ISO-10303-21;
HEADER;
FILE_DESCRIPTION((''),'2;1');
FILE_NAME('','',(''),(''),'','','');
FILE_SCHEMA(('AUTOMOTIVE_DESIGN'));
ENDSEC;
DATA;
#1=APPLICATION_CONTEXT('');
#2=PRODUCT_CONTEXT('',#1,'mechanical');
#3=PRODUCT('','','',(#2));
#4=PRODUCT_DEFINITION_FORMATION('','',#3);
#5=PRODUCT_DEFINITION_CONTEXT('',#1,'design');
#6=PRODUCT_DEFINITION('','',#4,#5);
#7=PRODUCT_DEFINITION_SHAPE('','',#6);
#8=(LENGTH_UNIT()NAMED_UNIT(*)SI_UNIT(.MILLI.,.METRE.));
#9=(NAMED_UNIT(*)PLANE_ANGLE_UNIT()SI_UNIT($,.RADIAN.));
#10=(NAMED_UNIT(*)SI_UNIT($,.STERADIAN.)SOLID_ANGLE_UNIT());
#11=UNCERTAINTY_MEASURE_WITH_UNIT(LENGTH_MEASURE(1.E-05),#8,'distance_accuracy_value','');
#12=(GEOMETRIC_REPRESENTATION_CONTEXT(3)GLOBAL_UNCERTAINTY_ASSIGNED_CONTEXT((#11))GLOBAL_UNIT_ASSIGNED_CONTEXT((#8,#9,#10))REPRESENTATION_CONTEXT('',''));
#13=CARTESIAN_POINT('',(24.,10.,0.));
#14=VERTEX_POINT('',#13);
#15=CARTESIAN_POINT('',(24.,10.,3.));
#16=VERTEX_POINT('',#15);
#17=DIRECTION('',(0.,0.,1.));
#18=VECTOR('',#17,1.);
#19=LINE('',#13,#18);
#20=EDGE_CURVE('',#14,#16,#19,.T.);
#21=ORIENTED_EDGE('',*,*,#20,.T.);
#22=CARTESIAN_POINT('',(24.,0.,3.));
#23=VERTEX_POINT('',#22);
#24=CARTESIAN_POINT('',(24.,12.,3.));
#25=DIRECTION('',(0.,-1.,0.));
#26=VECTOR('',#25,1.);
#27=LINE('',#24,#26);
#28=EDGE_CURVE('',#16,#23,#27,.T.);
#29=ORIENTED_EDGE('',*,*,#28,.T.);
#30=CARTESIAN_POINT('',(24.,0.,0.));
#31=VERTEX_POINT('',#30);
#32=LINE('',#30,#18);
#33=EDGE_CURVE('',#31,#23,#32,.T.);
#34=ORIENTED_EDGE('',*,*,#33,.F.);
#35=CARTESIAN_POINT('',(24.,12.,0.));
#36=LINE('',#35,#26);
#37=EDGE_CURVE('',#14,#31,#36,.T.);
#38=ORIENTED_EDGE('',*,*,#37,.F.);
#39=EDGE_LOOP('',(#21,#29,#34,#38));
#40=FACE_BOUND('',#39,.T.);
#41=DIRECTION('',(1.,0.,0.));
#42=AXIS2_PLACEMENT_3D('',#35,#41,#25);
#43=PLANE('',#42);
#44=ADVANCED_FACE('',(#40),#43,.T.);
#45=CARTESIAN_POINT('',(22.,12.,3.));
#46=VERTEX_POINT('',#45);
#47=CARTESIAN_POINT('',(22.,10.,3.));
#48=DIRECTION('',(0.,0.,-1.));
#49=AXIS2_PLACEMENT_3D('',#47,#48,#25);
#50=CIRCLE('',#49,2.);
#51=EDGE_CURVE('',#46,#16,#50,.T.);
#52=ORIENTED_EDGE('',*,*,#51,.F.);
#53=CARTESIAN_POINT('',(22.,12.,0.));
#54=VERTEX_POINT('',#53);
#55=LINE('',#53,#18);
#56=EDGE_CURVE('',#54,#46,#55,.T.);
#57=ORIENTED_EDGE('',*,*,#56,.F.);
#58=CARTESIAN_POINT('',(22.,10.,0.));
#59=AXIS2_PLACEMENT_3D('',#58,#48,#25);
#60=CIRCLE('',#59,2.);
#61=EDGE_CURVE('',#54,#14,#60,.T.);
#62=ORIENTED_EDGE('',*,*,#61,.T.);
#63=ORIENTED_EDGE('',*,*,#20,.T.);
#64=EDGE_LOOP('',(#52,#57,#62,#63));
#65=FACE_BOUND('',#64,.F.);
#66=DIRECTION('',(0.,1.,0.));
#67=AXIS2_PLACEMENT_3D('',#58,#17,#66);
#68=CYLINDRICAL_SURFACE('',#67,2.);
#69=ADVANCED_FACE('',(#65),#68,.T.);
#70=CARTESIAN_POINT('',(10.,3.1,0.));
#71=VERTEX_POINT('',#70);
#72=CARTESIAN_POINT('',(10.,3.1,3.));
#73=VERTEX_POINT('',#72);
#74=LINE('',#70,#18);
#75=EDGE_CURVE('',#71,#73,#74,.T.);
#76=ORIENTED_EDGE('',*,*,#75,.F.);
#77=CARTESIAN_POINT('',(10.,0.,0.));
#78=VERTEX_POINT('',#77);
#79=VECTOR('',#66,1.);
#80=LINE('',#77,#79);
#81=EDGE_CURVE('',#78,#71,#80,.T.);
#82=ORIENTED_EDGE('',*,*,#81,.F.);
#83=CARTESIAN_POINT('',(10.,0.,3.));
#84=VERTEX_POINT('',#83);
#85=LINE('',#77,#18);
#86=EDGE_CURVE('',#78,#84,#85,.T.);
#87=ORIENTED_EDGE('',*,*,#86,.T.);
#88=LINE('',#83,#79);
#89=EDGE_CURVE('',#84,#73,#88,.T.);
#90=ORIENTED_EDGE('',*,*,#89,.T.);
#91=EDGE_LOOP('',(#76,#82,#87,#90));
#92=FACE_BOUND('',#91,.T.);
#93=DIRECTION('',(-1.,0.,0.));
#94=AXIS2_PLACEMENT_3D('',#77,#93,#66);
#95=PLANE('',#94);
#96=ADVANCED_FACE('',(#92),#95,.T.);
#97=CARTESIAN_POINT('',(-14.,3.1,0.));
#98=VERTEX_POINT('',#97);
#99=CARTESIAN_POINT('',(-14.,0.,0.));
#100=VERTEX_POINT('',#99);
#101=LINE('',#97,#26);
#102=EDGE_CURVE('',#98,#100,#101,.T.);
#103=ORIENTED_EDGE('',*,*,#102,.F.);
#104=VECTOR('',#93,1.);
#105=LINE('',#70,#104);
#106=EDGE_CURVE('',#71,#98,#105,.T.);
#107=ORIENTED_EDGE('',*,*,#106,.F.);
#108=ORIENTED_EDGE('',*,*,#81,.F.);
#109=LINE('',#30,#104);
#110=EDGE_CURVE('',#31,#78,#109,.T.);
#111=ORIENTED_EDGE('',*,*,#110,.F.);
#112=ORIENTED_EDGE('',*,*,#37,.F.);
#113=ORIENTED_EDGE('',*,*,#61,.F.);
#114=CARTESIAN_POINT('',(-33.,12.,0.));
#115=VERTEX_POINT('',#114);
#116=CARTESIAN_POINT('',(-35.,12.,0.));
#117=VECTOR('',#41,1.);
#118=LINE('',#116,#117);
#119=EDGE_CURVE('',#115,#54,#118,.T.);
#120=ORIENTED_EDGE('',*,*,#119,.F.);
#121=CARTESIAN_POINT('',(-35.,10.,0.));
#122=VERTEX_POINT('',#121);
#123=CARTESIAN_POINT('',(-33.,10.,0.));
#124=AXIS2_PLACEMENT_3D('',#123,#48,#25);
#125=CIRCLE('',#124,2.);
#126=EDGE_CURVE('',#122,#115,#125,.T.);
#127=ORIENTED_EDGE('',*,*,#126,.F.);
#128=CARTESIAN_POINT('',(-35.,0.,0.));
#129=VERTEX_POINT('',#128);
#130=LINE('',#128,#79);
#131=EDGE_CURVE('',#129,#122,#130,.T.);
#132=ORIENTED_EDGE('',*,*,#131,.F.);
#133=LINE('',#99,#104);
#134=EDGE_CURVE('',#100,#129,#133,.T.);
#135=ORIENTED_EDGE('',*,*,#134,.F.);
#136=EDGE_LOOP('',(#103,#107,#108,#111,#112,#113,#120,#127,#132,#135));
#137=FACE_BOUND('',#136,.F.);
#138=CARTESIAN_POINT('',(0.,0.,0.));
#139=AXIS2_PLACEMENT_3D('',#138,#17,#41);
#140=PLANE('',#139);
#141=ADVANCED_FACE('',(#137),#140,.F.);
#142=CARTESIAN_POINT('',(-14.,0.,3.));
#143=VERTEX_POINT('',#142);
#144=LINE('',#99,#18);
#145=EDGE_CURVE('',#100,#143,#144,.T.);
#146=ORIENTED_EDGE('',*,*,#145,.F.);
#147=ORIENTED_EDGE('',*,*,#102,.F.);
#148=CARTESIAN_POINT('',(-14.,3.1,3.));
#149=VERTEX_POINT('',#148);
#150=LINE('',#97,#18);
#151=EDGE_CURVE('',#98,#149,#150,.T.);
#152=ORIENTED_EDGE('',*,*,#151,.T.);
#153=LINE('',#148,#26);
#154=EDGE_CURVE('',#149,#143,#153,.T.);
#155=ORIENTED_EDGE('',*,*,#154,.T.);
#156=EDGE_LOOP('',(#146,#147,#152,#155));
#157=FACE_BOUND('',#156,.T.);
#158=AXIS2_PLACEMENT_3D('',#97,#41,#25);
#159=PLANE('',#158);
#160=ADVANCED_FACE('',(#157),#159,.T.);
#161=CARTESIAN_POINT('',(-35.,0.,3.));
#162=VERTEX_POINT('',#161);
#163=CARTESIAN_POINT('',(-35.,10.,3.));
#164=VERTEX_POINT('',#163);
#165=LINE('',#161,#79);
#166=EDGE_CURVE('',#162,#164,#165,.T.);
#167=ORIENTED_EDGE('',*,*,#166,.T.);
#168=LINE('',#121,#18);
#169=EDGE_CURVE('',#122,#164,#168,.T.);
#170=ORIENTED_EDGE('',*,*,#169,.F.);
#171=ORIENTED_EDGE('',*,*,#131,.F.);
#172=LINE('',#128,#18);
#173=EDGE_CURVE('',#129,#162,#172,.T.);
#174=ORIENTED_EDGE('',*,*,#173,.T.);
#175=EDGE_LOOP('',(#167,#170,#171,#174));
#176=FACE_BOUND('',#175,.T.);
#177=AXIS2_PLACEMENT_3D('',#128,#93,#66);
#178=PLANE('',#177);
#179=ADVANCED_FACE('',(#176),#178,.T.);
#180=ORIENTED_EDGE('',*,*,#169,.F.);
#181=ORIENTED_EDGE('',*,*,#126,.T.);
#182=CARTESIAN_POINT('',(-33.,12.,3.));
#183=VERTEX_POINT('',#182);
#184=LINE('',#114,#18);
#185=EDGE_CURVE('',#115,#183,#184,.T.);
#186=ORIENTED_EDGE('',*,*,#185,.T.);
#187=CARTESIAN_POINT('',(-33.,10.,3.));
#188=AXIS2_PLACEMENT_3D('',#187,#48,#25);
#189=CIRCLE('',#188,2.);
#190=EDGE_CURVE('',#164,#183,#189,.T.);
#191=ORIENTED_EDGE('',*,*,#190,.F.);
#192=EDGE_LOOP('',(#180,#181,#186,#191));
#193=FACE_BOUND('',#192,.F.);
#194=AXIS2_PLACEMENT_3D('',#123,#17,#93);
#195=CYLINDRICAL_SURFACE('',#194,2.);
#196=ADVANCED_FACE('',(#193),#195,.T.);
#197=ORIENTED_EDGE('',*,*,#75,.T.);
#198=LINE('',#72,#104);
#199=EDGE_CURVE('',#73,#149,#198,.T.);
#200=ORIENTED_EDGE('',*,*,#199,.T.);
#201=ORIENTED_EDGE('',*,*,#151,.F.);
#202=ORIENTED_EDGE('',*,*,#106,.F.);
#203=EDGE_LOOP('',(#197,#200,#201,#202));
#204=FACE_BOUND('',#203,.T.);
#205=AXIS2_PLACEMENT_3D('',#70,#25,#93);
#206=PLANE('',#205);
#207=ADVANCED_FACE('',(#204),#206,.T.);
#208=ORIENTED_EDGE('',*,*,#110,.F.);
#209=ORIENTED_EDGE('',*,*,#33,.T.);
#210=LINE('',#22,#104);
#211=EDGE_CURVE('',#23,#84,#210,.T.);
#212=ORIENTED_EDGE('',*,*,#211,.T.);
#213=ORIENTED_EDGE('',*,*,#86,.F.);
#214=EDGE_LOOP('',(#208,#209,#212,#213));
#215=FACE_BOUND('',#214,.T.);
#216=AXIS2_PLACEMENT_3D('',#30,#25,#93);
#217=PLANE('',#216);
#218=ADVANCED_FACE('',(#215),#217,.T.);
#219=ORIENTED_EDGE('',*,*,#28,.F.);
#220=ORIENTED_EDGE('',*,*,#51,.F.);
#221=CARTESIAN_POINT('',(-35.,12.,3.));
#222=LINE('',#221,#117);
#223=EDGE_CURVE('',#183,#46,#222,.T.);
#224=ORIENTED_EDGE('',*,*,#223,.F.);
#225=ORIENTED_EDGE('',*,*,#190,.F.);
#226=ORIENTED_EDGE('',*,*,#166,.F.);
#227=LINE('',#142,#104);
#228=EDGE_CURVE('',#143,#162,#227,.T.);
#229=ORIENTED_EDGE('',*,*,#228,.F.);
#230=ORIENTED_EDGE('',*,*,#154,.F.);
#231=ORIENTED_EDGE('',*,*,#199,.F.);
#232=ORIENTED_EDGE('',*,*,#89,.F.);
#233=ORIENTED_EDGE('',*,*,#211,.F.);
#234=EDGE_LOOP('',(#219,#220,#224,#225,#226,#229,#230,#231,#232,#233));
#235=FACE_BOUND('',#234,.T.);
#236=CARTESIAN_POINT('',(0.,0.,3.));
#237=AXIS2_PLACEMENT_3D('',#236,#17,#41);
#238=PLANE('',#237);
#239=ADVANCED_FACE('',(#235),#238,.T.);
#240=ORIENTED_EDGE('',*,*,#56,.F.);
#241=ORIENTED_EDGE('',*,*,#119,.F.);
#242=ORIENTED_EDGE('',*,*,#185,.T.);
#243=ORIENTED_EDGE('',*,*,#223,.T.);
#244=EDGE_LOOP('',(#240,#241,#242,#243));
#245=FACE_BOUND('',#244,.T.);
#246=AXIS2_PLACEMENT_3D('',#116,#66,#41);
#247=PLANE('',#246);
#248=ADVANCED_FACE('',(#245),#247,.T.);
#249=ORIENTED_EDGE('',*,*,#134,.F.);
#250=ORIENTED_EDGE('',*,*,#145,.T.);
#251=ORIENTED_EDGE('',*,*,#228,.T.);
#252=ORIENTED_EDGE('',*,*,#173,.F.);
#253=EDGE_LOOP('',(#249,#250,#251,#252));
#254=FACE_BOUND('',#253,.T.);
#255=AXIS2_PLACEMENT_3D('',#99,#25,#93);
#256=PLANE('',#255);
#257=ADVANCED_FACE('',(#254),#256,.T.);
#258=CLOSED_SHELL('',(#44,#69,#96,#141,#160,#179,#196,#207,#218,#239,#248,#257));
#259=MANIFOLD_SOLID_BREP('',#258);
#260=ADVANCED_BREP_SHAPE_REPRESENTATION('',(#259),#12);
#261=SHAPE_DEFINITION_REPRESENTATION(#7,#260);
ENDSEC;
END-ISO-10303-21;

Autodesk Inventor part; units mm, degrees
ref_plane "YZ Plane" through (0, 0, 0) normal (1, 0, 0) x (0, 1, 0)
ref_plane "XZ Plane" through (0, 0, 0) normal (0, 1, 0) x (-1, 0, 0)
ref_plane "XY Plane" through (0, 0, 0) normal (0, 0, 1) x (1, 0, 0)
sketch "Sketch1" plane through (0, 0, 0) normal (0, 0, 1) x (1, 0, 0)
  line L0 (-35, 0) -> (-35, 12)
  line L1 (-35, 12) -> (24, 12)
  line L2 (24, 12) -> (24, 0)
  line L3 (24, 0) -> (10, 0)
  line L4 (10, 0) -> (10, 3.1)
  line L5 (10, 3.1) -> (-14, 3.1)
  line L6 (-14, 3.1) -> (-14, 0)
  line L7 (-14, 0) -> (-35, 0)
  line L8 (0, 0) -> (0, 12) construction
  line L9 (-14, 0) -> (0, 0) construction
  dimension "d0" = 3.1
  dimension "d1" = 24
  dimension "d3" = 12
  dimension "d7" = 10
  dimension "d8" = 24
  dimension "d9" = 35
extrude "Extrusion1" add sketch "Sketch1" along normal blind 3
fillet "Fillet1" radius 2 2 edges at (-35, 12, 1.5) (24, 12, 1.5)
properties part number "shovel_support"
